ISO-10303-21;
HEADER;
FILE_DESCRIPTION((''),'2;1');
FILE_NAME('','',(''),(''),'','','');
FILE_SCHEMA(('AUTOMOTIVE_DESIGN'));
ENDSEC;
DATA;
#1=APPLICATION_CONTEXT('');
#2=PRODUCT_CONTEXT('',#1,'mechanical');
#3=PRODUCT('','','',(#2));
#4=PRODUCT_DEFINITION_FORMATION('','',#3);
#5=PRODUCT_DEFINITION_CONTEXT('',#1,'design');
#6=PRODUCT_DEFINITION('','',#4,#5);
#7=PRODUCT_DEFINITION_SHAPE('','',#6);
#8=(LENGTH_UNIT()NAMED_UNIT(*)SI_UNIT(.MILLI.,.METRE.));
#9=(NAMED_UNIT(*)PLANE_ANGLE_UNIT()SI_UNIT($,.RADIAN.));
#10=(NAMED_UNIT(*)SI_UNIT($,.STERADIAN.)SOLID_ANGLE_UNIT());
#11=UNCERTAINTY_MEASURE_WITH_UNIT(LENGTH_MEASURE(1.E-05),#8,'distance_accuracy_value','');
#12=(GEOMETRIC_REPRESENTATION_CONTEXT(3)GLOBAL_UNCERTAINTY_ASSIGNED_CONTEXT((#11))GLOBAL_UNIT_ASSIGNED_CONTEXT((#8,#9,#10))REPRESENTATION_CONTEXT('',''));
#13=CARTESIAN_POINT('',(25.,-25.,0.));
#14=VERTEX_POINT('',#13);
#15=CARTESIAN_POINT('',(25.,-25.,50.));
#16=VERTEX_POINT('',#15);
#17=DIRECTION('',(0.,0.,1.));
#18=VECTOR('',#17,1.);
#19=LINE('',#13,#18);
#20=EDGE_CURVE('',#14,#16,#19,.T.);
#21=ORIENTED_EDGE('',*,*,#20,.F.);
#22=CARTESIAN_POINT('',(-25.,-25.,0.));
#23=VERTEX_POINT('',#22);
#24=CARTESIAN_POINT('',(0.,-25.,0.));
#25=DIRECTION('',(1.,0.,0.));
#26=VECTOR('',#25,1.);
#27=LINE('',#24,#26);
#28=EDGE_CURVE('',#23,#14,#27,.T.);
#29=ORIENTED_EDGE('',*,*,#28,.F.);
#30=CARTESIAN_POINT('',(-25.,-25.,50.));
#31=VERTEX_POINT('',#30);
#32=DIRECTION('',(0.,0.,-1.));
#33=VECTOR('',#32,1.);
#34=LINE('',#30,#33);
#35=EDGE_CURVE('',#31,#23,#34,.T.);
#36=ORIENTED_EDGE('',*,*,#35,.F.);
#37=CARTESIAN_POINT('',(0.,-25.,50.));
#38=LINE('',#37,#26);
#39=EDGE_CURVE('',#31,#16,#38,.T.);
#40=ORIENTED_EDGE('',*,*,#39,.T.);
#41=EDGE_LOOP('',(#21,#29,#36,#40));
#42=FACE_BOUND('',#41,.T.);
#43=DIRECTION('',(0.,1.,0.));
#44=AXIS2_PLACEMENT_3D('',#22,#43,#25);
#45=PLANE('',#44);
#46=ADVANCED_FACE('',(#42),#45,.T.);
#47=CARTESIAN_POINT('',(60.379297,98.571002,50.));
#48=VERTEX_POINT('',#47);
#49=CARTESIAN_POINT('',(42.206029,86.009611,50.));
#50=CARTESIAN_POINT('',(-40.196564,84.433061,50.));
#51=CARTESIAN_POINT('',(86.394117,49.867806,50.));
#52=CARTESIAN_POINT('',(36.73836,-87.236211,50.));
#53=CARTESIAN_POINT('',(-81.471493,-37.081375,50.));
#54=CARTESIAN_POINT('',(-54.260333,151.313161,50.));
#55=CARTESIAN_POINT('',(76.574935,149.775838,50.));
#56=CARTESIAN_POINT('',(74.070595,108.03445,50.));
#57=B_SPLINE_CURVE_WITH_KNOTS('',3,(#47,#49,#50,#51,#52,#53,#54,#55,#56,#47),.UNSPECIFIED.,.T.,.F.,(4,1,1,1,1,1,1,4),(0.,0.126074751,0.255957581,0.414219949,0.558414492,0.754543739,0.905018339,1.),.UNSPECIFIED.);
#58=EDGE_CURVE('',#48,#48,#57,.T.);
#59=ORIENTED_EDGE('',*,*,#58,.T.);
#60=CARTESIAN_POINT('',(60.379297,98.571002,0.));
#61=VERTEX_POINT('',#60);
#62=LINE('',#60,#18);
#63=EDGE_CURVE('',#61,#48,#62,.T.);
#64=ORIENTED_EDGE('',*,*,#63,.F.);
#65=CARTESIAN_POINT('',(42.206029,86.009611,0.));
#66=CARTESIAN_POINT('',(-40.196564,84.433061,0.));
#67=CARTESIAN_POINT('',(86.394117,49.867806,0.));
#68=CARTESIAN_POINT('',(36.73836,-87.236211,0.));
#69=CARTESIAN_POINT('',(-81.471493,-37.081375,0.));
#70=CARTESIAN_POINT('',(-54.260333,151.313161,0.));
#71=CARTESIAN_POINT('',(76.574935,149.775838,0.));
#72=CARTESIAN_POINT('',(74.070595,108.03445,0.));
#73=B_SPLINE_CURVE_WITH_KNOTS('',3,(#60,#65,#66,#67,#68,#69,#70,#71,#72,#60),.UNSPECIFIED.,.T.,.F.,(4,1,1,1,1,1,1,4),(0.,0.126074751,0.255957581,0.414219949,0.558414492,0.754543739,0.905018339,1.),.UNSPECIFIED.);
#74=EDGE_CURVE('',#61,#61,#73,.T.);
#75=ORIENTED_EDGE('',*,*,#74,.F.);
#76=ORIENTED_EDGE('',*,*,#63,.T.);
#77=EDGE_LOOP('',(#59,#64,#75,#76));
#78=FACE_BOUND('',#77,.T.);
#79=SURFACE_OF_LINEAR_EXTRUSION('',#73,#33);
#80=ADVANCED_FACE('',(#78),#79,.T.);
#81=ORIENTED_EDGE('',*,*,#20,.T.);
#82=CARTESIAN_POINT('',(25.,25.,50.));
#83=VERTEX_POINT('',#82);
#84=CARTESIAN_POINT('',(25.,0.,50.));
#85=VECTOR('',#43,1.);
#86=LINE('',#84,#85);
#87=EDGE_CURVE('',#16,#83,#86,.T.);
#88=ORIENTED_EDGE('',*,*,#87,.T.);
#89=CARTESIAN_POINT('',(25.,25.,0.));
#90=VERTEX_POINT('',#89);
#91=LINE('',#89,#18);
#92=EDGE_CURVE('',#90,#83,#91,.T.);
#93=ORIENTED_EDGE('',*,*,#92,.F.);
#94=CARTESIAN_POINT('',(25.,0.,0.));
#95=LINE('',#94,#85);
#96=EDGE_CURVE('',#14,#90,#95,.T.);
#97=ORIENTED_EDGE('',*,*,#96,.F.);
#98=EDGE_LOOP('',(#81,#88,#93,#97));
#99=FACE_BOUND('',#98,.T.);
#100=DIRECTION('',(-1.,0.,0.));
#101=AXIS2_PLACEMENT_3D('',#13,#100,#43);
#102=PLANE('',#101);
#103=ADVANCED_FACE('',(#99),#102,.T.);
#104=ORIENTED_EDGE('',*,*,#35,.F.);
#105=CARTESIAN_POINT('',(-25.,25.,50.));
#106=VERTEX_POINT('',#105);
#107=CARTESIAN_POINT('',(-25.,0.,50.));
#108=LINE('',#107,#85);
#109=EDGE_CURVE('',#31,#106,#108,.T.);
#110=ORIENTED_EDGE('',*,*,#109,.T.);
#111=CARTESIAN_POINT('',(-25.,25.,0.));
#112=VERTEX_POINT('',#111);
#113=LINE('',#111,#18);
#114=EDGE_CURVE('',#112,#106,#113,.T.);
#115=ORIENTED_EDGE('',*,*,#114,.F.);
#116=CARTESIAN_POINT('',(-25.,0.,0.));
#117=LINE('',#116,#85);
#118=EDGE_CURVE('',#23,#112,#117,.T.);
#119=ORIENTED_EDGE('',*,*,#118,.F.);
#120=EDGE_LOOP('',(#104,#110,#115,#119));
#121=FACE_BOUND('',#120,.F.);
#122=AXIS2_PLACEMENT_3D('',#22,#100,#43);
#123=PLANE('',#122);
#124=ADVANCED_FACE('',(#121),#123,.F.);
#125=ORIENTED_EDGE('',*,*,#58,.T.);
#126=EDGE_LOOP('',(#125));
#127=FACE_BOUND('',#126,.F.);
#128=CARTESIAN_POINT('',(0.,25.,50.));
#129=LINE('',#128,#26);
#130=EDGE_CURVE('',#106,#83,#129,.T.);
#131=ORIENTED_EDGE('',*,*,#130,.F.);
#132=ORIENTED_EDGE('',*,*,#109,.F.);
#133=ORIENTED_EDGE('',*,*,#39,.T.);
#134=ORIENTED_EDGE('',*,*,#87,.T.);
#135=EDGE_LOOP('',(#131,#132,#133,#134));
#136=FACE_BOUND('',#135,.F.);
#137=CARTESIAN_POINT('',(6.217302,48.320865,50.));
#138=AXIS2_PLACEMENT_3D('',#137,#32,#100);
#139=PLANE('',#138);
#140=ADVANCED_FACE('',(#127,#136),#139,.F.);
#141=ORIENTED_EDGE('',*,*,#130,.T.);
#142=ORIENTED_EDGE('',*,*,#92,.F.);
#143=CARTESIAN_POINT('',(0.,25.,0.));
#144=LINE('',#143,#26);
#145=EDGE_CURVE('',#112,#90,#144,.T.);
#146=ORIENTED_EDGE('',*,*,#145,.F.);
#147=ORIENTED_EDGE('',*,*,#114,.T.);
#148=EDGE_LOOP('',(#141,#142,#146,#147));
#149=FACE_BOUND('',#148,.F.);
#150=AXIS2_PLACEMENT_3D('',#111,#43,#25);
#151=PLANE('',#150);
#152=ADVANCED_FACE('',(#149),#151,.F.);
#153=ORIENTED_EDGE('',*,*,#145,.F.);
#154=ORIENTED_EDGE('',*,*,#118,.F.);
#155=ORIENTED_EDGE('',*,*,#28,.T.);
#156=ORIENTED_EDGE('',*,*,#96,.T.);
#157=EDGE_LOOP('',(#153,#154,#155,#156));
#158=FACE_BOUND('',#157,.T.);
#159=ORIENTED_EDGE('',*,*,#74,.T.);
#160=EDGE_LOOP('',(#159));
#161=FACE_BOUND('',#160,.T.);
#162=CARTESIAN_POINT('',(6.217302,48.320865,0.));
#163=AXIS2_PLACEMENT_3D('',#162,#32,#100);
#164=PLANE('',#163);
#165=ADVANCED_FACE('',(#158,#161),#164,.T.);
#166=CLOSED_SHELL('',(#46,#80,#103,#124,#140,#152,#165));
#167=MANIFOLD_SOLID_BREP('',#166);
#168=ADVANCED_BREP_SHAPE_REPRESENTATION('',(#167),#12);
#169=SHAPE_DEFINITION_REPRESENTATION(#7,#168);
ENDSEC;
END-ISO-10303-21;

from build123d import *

# Parameters (mm, degrees)
F0_W     = 50
F0_H     = 50
F1_DEPTH = 50
F2_DEPTH = 25


with BuildPart() as f1:
    # F0 (on Top) → F1 (new body)
    with BuildSketch(Plane.XY):
        with BuildLine():
            add(Edge.make_bspline(
                [(60.3792965412, 98.5710024834), (42.2060294349, 86.0096106651), (-40.1965644334, 84.4330607153), (86.3941165874, 49.8678062028), (36.7383600609, -87.2362112373), (-81.4714928529, -37.0813750778), (-54.2603331237, 151.3131611491), (76.5749348917, 149.7758383835), (74.0705953, 108.0344504811), (60.3792965412, 98.5710024834)],
                knots=[0, 0, 0, 0, 0.1260747515, 0.255957581, 0.4142199492, 0.5584144924, 0.7545437389, 0.9050183394, 1, 1, 1, 1], degree=3))
        make_face()
        Rectangle(F0_W, F0_H, mode=Mode.SUBTRACT)
    extrude(amount=F1_DEPTH)

    # F0 (on Top) → F2 (join)
    with BuildSketch(Plane.XY):
        with BuildLine():
            add(Edge.make_bspline(
                [(60.3792965412, 98.5710024834), (42.2060294349, 86.0096106651), (-40.1965644334, 84.4330607153), (86.3941165874, 49.8678062028), (36.7383600609, -87.2362112373), (-81.4714928529, -37.0813750778), (-54.2603331237, 151.3131611491), (76.5749348917, 149.7758383835), (74.0705953, 108.0344504811), (60.3792965412, 98.5710024834)],
                knots=[0, 0, 0, 0, 0.1260747515, 0.255957581, 0.4142199492, 0.5584144924, 0.7545437389, 0.9050183394, 1, 1, 1, 1], degree=3))
        make_face()
        Rectangle(F0_W, F0_H, mode=Mode.SUBTRACT)
    extrude(amount=F2_DEPTH)


solid = f1.part
